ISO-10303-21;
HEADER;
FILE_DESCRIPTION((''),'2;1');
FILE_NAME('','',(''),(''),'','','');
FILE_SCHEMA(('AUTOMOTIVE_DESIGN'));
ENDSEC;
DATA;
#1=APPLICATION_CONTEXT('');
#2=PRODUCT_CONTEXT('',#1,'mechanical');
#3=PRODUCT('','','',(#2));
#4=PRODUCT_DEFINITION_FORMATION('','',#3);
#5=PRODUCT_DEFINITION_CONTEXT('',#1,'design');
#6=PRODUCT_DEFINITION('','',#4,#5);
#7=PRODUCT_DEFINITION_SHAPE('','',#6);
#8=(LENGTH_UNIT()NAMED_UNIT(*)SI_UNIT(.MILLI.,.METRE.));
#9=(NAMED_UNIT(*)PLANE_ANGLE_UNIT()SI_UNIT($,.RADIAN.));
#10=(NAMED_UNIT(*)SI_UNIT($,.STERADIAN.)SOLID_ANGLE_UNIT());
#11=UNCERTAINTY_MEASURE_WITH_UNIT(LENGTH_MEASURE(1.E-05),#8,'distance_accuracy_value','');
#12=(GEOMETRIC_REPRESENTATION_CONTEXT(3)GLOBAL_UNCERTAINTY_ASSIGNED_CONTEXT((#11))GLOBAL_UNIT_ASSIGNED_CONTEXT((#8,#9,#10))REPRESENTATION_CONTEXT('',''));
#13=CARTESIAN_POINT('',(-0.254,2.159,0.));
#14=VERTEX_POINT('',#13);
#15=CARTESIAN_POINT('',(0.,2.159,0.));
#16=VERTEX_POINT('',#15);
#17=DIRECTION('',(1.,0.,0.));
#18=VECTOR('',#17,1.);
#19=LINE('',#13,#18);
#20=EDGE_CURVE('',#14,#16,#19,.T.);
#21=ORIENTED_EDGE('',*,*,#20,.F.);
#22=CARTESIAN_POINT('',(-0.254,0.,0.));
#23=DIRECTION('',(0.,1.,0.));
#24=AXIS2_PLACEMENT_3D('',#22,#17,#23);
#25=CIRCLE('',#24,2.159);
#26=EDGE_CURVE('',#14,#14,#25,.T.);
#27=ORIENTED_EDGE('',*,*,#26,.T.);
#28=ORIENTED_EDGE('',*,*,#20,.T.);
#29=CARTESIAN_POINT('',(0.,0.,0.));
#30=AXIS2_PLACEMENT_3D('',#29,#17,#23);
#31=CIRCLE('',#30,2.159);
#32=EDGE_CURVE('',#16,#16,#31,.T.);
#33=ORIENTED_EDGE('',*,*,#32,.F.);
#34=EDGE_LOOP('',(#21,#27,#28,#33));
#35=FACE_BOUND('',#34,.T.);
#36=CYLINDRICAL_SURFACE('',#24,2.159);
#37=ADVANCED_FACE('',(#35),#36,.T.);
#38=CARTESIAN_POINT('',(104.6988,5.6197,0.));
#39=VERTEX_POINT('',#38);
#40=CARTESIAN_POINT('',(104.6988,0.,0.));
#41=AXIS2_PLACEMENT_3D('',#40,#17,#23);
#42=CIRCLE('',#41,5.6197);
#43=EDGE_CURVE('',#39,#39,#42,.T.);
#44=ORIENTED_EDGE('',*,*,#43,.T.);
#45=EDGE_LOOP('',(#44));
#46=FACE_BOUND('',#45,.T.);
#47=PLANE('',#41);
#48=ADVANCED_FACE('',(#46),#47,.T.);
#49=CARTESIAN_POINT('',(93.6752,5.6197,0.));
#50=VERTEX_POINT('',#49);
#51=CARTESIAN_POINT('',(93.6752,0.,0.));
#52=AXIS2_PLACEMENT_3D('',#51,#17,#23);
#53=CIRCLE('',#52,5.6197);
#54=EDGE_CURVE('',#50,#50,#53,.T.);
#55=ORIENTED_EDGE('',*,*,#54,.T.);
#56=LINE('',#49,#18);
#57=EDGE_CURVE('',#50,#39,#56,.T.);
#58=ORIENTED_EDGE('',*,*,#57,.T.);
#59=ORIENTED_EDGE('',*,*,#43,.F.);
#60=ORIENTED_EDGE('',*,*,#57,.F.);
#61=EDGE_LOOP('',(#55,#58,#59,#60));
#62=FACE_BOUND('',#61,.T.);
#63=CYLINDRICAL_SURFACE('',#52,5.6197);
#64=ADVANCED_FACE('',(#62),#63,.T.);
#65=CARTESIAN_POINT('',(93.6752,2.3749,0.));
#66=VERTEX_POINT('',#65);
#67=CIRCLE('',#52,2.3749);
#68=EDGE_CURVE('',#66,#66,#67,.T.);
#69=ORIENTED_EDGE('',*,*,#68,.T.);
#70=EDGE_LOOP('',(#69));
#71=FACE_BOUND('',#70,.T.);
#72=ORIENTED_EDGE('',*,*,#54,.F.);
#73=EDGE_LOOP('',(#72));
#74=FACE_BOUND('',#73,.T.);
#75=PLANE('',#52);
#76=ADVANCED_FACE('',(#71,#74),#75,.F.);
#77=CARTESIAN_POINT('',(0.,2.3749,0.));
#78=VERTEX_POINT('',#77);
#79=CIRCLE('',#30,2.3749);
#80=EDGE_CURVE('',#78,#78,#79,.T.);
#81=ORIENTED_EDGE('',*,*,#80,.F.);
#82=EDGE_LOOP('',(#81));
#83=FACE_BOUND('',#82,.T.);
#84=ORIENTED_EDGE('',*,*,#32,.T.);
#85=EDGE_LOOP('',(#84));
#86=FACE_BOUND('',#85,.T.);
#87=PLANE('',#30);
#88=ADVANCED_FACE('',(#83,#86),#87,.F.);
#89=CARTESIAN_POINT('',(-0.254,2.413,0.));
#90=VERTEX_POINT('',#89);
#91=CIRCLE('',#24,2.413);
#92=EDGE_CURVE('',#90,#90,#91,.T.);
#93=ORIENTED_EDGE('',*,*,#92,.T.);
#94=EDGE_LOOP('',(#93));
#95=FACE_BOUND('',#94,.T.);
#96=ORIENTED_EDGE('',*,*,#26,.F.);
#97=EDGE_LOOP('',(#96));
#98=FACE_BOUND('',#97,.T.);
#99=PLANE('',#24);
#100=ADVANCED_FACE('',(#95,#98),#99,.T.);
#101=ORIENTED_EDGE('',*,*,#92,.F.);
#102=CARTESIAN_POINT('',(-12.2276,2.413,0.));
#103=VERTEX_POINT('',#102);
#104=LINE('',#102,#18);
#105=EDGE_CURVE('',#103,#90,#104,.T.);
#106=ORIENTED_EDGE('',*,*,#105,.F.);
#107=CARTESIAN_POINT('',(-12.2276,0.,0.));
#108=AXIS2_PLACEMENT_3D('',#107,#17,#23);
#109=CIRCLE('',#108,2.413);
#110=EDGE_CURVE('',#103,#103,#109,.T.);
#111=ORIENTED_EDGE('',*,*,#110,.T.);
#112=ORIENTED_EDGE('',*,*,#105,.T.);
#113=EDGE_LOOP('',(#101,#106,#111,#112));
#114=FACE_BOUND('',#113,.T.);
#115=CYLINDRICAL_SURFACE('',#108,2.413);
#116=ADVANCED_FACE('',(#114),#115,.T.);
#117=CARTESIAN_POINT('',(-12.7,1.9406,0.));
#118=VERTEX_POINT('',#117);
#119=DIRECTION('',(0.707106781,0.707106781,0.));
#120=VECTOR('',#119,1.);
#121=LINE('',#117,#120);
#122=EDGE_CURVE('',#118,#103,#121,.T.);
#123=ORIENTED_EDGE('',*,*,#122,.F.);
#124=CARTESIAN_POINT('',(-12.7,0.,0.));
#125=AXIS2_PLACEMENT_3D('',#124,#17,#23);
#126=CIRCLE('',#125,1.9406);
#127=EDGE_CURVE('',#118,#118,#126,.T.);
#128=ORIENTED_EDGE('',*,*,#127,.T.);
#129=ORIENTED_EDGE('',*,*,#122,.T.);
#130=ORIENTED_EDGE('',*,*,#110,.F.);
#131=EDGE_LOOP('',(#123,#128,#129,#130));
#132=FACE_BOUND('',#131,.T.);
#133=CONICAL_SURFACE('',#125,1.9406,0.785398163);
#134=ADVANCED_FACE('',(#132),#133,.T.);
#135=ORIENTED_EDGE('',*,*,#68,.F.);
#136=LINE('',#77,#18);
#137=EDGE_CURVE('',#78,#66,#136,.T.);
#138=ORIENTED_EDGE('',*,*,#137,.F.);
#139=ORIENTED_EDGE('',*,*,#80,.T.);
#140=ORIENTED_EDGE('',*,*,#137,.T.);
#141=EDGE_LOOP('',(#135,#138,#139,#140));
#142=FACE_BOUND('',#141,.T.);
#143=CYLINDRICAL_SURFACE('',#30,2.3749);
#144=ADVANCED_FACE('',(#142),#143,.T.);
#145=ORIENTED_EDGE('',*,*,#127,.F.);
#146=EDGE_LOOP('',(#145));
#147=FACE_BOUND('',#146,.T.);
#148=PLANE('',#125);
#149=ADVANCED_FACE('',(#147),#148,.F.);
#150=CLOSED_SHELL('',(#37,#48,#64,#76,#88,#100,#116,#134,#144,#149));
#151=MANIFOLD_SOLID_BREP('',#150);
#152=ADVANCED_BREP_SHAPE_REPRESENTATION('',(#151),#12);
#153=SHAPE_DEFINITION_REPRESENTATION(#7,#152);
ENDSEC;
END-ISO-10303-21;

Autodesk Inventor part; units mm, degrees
sketch "Sketch_1" plane through (0, 0, 0) normal (0, 0, 1) x (1, 0, 0)
  line L0 (104.6988, 0) -> (0, 0)
  line L1 (0, 0) -> (0, 2.3749)
  line L2 (0, 2.3749) -> (93.6752, 2.3749)
  line L3 (93.6752, 2.3749) -> (93.6752, 5.6197)
  line L4 (93.6752, 5.6197) -> (104.6988, 5.6197)
  line L5 (104.6988, 5.6197) -> (104.6988, 0)
  line L6 (104.6988, 0) -> (0, 0)
revolve "Revolution1" add sketch "Sketch_1" angle 360 about axis through (104.6988, 0, 0) along (1, 0, 0)
sketch "Sketch_3" plane through (0, 0, 0) normal (0, 0, 1) x (1, 0, 0)
  line L0 (0, 0) -> (-12.7, 0)
  line L1 (-12.7, 0) -> (-12.7, 1.9406)
  line L2 (-12.7, 1.9406) -> (-12.2276, 2.413)
  line L3 (-12.2276, 2.413) -> (0, 2.413)
  line L4 (0, 2.413) -> (0, 0)
  line L5 (0, 0) -> (-12.7, 0)
revolve "Revolution2" add sketch "Sketch_3" angle 360 about axis through (0, 0, 0) along (1, 0, 0)
thread "Thread1" size "10-32 UNF" class "2A" standard "ANSI Unified Screw Threads" full length
sketch "Sketch_30" plane through (0, 0, 0) normal (0, 0, 1) x (1, 0, 0)
  line L0 (0, 0) -> (-0.254, 0)
  line L1 (-0.254, 2.667) -> (-0.254, 2.159)
  line L2 (-0.254, 2.159) -> (0, 2.159)
  line L3 (0, 2.159) -> (0, 2.667)
  line L4 (0, 2.667) -> (-0.254, 2.667)
revolve "Revolution3" cut sketch "Sketch_30" angle 360 about axis through (0, 0, 0) along (1, 0, 0)
ref_plane "dia1_XY" through (0, 2.3749, 0) normal (1, 0, 0) x (0, 0, -1)
ref_plane "dia1_YZ" through (0, 2.3749, 0) normal (0, 0, -1) x (0, 1, 0)
ref_plane "dia1_ZX" through (0, 2.3749, 0) normal (0, 1, 0) x (1, 0, 0)
ref_plane "dia12_XY" through (0, 0, 9.3726) normal (1, 0, 0) x (0, 0, -1)
ref_plane "dia12_YZ" through (0, 0, 9.3726) normal (0, 0, -1) x (0, 1, 0)
ref_plane "dia12_ZX" through (0, 0, 9.3726) normal (0, 1, 0) x (1, 0, 0)
ref_plane "dia2_XY" through (0, -2.3749, 0) normal (1, 0, 0) x (0, 0, -1)
ref_plane "dia2_YZ" through (0, -2.3749, 0) normal (0, 0, -1) x (0, 1, 0)
ref_plane "dia2_ZX" through (0, -2.3749, 0) normal (0, 1, 0) x (1, 0, 0)
ref_plane "dia22_XY" through (0, 0, -9.3726) normal (1, 0, 0) x (0, 0, -1)
ref_plane "dia22_YZ" through (0, 0, -9.3726) normal (0, 0, -1) x (0, 1, 0)
ref_plane "dia22_ZX" through (0, 0, -9.3726) normal (0, 1, 0) x (1, 0, 0)
ref_plane "rl1_XY" through (-12.7, 0, 0) normal (1, 0, 0) x (0, 0, -1)
ref_plane "rl1_YZ" through (-12.7, 0, 0) normal (0, 0, -1) x (0, 1, 0)
ref_plane "rl1_ZX" through (-12.7, 0, 0) normal (0, 1, 0) x (1, 0, 0)
ref_plane "rl2_XY" through (0, 0, 0) normal (1, 0, 0) x (0, 0, -1)
ref_plane "rl2_YZ" through (0, 0, 0) normal (0, 0, -1) x (0, 1, 0)
ref_plane "rl2_ZX" through (0, 0, 0) normal (0, 1, 0) x (1, 0, 0)
ref_plane "rod_cp_XY" through (0, 0, 0) normal (1, 0, 0) x (0, 0, -1)
ref_plane "rod_cp_YZ" through (0, 0, 0) normal (0, 0, -1) x (0, 1, 0)
ref_plane "rod_cp_ZX" through (0, 0, 0) normal (0, 1, 0) x (1, 0, 0)
ref_plane "thd1_XY" through (-12.7, 2.413, 0) normal (1, 0, 0) x (0, 0, -1)
ref_plane "thd1_YZ" through (-12.7, 2.413, 0) normal (0, 0, -1) x (0, 1, 0)
ref_plane "thd1_ZX" through (-12.7, 2.413, 0) normal (0, 1, 0) x (1, 0, 0)
ref_plane "thd2_XY" through (-12.7, -2.413, 0) normal (1, 0, 0) x (0, 0, -1)
ref_plane "thd2_YZ" through (-12.7, -2.413, 0) normal (0, 0, -1) x (0, 1, 0)
ref_plane "thd2_ZX" through (-12.7, -2.413, 0) normal (0, 1, 0) x (1, 0, 0)
ref_plane "to_rod_clevis_XY" through (-12.7, 0, 0) normal (1, 0, 0) x (0, 0, -1)
ref_plane "to_rod_clevis_YZ" through (-12.7, 0, 0) normal (0, 0, -1) x (0, 1, 0)
ref_plane "to_rod_clevis_ZX" through (-12.7, 0, 0) normal (0, 1, 0) x (1, 0, 0)
properties part number "012.5-DP0_rod"
